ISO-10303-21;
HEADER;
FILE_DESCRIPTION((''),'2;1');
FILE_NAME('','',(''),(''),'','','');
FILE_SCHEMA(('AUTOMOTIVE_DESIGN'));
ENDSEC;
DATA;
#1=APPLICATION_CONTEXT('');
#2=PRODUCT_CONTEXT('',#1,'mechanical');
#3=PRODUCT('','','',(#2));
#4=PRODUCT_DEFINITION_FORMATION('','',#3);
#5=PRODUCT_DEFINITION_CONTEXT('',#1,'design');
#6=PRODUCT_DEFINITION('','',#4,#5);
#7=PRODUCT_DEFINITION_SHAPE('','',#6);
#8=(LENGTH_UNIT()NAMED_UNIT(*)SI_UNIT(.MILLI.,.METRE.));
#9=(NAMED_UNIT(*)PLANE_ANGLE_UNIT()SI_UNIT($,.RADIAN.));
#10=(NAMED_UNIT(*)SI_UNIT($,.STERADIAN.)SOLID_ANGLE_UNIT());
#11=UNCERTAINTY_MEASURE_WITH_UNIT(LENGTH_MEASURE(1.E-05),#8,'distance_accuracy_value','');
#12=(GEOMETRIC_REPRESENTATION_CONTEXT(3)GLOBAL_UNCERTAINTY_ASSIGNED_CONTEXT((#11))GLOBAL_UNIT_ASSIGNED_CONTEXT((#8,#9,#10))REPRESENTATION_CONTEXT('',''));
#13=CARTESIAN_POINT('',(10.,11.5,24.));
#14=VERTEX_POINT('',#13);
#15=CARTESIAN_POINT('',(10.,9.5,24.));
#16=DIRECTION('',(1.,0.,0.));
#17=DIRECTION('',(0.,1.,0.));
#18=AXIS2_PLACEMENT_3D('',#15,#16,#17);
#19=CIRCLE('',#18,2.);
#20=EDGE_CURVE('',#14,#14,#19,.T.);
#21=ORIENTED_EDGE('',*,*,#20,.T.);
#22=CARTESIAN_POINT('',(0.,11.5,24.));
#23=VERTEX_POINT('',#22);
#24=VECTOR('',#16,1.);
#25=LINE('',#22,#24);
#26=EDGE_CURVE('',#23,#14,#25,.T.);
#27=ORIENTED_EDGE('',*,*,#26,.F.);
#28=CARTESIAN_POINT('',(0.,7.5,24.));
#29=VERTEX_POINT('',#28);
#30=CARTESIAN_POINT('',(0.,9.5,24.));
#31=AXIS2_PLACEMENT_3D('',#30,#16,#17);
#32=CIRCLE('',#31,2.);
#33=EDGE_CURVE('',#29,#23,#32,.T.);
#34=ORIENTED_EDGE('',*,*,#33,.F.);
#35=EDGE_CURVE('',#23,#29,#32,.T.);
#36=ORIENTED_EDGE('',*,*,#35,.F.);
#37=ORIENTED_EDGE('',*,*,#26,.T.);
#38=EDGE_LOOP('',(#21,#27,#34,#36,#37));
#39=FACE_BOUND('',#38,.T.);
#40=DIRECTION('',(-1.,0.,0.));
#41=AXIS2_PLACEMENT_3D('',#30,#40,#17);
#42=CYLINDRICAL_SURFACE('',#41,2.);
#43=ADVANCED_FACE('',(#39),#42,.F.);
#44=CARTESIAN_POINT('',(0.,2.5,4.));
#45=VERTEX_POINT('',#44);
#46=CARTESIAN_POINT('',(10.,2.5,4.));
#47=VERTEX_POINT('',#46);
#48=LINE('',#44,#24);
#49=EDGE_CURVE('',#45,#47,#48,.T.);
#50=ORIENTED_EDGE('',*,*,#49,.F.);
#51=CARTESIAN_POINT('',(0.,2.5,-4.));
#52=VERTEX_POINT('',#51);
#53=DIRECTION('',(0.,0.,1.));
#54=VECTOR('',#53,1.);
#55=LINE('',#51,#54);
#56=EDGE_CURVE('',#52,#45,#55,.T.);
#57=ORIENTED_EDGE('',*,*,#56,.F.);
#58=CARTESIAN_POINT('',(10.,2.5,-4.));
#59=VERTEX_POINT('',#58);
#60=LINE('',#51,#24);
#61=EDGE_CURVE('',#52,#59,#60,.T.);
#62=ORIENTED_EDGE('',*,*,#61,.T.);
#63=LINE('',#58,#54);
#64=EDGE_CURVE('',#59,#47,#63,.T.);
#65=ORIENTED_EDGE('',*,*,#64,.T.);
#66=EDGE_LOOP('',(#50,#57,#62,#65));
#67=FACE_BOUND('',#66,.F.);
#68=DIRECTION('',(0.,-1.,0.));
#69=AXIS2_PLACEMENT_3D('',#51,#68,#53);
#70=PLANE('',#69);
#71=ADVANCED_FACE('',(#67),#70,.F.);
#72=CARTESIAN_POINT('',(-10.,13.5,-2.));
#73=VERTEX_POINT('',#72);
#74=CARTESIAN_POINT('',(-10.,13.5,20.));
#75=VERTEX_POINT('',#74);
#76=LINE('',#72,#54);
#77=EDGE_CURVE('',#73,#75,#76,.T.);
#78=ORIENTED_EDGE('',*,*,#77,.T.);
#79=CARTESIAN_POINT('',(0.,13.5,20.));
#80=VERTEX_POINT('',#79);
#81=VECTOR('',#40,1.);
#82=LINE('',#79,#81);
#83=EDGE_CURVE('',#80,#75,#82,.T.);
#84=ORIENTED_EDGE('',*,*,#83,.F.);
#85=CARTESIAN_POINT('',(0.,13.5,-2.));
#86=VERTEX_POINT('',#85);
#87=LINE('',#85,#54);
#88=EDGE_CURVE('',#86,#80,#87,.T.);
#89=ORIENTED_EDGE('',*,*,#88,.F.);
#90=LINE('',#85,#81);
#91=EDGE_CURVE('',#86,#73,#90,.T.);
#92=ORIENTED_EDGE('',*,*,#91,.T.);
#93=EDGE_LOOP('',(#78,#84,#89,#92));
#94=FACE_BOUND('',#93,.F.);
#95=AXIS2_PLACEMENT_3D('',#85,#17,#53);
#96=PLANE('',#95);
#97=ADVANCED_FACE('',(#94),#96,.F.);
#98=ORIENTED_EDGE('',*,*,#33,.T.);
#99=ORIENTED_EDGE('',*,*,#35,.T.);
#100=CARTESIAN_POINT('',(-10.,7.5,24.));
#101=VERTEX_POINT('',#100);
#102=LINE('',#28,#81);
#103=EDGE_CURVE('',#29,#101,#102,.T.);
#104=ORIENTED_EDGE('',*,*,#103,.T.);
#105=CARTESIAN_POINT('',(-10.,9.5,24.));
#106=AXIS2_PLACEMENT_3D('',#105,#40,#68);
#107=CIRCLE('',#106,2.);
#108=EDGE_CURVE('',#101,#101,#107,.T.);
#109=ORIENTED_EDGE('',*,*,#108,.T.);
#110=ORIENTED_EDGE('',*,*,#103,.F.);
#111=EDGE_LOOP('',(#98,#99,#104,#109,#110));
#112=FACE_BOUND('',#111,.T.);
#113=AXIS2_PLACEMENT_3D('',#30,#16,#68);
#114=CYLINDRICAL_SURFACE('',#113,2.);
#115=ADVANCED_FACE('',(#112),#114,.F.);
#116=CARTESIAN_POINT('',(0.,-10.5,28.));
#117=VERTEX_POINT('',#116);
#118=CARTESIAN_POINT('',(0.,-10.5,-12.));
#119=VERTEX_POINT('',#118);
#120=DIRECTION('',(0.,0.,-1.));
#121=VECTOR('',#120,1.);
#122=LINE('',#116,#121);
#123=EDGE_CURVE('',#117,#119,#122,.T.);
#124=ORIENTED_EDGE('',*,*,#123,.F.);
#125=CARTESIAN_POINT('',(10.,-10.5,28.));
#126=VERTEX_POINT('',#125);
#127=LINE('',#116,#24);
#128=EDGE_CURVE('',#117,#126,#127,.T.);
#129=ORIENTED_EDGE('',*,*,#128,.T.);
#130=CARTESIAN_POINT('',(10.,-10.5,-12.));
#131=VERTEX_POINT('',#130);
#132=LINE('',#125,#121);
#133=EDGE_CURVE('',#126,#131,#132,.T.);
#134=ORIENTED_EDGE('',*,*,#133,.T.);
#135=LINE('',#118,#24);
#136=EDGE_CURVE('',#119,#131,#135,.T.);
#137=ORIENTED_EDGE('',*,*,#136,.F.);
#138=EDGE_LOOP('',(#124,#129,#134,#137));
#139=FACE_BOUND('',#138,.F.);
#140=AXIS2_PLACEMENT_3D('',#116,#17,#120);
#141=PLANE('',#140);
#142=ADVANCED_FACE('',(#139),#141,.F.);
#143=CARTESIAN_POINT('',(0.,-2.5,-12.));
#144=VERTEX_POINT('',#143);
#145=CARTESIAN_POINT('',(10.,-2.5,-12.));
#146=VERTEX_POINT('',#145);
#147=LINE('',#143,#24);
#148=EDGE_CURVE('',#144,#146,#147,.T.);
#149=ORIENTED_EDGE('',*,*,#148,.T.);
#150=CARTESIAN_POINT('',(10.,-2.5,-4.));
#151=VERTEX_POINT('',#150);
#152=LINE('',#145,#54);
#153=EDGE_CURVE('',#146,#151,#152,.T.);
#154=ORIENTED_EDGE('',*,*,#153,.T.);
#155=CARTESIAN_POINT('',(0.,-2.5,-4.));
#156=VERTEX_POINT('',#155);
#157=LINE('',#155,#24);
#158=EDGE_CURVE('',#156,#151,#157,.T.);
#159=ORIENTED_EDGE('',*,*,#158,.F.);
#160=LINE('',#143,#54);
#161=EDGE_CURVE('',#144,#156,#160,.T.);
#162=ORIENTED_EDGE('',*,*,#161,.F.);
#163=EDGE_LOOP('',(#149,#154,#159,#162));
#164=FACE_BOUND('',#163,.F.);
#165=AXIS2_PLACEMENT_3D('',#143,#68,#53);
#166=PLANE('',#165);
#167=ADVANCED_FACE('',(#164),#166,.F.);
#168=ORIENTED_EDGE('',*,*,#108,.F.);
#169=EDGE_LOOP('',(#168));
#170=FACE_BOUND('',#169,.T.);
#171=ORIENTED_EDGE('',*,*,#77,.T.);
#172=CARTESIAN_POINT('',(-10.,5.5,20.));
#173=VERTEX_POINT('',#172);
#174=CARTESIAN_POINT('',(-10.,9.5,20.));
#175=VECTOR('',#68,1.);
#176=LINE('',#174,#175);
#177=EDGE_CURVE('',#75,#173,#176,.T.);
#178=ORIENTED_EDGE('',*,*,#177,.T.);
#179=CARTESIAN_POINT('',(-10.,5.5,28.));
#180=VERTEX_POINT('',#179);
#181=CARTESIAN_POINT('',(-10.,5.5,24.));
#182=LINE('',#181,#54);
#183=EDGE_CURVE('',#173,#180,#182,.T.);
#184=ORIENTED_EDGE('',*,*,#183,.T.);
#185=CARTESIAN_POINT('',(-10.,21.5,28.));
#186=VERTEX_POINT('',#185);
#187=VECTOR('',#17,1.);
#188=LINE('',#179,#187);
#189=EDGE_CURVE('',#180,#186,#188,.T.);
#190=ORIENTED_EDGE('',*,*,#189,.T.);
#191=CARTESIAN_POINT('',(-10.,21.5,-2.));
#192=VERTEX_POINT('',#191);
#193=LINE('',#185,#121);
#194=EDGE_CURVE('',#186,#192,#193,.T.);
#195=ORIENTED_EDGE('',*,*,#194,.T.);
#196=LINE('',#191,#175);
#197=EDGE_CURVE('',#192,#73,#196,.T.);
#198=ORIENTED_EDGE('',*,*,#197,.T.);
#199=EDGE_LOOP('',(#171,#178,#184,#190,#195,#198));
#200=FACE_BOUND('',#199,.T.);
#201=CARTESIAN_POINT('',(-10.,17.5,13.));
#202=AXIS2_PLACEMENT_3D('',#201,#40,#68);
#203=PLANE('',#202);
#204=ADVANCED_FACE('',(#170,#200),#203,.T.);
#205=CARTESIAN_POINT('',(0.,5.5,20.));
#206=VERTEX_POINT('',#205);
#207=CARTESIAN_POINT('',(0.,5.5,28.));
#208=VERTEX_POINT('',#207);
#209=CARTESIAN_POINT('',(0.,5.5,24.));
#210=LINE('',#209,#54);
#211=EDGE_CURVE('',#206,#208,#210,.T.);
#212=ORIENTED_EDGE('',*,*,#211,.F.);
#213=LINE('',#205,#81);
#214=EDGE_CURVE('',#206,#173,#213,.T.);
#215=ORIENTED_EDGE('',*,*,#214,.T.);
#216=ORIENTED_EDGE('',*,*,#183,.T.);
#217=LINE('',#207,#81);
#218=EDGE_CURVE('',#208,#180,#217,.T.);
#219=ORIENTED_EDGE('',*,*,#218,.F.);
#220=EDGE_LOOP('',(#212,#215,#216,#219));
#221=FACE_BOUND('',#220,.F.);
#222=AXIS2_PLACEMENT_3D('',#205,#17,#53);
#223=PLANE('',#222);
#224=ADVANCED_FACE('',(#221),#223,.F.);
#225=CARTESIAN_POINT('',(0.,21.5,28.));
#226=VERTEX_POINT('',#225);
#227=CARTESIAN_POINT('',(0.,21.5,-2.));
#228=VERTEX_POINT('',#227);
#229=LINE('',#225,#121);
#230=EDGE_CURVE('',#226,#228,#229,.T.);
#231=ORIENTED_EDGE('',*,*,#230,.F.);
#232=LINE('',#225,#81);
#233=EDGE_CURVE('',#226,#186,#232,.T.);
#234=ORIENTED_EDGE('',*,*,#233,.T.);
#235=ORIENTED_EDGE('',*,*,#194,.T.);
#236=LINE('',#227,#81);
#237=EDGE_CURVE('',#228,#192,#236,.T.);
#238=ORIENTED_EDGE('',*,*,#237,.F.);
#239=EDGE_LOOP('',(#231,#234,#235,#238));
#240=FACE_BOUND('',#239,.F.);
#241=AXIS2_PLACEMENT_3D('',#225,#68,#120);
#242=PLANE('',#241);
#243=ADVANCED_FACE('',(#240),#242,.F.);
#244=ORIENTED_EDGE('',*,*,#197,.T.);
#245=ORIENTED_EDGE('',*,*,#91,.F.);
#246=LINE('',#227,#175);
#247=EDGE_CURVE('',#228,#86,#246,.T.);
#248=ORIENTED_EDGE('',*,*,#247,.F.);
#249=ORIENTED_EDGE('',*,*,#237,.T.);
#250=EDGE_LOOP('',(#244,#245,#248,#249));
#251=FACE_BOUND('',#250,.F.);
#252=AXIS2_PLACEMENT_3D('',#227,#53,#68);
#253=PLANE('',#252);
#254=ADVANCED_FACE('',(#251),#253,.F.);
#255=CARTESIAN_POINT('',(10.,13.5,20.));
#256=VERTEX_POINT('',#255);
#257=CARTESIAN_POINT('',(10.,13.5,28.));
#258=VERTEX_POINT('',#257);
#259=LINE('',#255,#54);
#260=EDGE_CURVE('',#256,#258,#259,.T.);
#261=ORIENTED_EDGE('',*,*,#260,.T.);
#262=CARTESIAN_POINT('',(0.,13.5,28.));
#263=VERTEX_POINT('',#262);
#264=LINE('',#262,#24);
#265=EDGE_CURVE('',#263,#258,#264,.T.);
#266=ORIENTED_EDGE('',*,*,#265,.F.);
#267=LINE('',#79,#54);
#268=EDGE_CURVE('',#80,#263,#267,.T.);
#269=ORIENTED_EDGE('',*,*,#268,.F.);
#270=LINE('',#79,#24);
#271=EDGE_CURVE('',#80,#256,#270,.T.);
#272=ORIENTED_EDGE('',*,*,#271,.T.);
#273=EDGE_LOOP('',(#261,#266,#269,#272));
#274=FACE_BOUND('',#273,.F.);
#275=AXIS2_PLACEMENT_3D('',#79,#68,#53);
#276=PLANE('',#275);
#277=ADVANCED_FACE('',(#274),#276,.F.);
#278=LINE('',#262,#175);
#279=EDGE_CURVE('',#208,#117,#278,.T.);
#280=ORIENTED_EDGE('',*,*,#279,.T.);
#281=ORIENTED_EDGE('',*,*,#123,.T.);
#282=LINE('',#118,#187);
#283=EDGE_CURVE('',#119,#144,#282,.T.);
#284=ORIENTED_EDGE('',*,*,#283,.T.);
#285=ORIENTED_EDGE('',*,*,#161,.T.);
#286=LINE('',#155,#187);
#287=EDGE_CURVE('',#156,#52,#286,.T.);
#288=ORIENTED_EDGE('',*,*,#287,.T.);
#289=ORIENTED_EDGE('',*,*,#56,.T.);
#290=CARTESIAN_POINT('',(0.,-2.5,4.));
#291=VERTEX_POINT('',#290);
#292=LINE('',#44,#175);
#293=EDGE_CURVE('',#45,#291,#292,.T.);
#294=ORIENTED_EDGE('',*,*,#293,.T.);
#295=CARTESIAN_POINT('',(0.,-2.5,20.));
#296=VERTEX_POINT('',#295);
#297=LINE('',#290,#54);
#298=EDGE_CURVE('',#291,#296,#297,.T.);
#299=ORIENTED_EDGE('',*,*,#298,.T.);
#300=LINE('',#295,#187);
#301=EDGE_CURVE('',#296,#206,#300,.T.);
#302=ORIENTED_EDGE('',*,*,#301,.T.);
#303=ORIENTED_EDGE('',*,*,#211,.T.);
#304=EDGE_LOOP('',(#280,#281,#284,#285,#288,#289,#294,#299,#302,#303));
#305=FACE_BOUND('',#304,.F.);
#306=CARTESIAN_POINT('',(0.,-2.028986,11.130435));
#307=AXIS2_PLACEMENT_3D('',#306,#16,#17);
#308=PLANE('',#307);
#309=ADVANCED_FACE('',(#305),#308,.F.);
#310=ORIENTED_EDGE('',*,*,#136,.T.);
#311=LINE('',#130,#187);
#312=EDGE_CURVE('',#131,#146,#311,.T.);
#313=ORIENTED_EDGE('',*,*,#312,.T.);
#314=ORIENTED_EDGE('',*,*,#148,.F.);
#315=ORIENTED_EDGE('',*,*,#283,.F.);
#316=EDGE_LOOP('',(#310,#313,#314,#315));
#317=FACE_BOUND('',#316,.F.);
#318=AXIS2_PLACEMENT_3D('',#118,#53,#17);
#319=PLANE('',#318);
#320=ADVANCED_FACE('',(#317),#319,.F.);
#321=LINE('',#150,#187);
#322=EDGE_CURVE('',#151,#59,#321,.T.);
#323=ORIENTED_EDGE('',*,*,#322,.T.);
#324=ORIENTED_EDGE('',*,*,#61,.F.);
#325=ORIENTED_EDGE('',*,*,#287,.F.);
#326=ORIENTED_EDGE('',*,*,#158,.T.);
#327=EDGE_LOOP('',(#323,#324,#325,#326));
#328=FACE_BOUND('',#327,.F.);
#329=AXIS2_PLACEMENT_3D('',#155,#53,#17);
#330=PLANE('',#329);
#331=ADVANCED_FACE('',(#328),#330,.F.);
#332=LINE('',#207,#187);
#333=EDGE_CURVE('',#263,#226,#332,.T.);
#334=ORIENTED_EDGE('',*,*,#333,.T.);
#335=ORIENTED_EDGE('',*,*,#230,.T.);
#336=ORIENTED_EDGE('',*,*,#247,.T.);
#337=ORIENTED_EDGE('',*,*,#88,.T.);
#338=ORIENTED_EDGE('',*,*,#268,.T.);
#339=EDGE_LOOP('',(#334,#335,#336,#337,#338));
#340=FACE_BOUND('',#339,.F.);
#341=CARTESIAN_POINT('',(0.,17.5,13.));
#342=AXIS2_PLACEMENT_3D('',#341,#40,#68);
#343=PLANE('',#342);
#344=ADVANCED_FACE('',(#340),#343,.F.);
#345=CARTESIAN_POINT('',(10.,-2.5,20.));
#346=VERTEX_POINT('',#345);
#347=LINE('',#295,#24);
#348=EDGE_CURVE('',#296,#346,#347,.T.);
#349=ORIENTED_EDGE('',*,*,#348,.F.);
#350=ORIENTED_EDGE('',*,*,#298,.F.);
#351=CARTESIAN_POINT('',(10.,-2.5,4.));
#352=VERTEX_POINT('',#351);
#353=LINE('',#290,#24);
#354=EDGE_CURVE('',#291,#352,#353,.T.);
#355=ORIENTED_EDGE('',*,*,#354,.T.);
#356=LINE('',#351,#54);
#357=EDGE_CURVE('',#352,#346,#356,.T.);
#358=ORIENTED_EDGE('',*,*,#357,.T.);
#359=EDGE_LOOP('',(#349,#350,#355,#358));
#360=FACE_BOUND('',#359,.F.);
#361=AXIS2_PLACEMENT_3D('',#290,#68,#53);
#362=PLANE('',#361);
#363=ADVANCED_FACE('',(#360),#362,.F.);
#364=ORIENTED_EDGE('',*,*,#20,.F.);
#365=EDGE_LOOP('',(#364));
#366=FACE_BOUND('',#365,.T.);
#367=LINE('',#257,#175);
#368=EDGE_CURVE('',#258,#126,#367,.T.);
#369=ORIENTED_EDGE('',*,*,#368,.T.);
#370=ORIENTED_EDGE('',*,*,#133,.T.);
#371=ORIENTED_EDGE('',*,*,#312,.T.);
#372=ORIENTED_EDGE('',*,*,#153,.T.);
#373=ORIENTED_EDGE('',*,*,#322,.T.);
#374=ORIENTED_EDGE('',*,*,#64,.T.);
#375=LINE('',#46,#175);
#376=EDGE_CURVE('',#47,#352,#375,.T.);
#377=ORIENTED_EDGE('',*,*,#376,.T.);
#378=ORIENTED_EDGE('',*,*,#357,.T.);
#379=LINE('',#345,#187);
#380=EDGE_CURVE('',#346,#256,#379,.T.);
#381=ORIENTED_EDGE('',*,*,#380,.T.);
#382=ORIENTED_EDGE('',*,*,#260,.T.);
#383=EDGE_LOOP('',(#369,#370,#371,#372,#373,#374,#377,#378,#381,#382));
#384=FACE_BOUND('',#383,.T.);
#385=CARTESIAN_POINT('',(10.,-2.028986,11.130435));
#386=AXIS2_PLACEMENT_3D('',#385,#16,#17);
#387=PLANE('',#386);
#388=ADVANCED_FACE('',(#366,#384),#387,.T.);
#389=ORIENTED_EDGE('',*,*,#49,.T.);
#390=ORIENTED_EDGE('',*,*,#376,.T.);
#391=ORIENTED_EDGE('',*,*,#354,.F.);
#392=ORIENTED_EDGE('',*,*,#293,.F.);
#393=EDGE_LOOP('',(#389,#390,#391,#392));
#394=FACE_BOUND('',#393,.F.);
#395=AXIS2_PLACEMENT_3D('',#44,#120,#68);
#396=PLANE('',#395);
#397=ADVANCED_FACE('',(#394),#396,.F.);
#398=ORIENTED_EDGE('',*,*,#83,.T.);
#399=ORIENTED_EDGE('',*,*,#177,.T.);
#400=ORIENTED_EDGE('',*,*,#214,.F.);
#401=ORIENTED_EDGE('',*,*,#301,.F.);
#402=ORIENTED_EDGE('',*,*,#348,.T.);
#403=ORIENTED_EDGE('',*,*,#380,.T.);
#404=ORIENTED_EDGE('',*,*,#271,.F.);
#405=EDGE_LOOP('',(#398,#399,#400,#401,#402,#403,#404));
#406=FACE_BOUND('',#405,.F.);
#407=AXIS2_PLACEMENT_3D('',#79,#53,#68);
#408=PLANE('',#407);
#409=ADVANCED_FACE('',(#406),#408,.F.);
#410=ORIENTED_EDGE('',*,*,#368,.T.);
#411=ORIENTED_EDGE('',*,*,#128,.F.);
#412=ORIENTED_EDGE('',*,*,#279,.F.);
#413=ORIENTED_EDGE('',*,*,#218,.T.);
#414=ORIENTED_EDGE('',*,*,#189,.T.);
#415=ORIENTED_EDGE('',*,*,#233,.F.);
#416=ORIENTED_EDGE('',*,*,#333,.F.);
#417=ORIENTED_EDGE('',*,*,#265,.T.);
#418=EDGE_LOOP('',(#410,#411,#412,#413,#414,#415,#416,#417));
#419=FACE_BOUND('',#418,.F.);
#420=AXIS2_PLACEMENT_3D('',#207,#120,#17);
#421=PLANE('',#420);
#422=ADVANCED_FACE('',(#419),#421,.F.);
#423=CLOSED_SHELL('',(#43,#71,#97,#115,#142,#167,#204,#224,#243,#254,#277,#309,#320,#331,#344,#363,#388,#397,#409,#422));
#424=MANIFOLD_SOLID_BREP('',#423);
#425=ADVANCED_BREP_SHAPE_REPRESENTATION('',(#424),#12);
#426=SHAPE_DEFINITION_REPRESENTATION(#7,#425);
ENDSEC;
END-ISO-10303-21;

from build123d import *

# Parameters (mm, degrees)
F0_R     = 2
F1_DEPTH = 10
F2_W     = 8
F2_H     = 8
F2_R     = 2
F3_DEPTH = 10


with BuildPart() as f1:
    # F0 (on Right) → F1 (new body)
    with BuildSketch(Plane.YZ):
        Polygon((2.5, -4), (2.5, 4), (-2.5, 4), (-2.5, 20), (13.5, 20), (13.5, 28), (-10.5, 28), (-10.5, -12), (-2.5, -12), (-2.5, -4), align=None)
        with Locations((9.5, 24)):
            Circle(F0_R, mode=Mode.SUBTRACT)
    extrude(amount=F1_DEPTH)

    # F2 (on face) → F3 (join)
    with BuildSketch(Plane(origin=(0, 0, 0), x_dir=(0, -1, 0), z_dir=(-1, 0, 0))):
        Polygon((-13.5, -2), (-13.5, 20), (-13.5, 28), (-21.5, 28), (-21.5, -2), align=None)
        with Locations((-9.5, 24)):
            Rectangle(F2_W, F2_H)
        with Locations((-9.5, 24)):
            Circle(F2_R, mode=Mode.SUBTRACT)
    extrude(amount=F3_DEPTH)


solid = f1.part
